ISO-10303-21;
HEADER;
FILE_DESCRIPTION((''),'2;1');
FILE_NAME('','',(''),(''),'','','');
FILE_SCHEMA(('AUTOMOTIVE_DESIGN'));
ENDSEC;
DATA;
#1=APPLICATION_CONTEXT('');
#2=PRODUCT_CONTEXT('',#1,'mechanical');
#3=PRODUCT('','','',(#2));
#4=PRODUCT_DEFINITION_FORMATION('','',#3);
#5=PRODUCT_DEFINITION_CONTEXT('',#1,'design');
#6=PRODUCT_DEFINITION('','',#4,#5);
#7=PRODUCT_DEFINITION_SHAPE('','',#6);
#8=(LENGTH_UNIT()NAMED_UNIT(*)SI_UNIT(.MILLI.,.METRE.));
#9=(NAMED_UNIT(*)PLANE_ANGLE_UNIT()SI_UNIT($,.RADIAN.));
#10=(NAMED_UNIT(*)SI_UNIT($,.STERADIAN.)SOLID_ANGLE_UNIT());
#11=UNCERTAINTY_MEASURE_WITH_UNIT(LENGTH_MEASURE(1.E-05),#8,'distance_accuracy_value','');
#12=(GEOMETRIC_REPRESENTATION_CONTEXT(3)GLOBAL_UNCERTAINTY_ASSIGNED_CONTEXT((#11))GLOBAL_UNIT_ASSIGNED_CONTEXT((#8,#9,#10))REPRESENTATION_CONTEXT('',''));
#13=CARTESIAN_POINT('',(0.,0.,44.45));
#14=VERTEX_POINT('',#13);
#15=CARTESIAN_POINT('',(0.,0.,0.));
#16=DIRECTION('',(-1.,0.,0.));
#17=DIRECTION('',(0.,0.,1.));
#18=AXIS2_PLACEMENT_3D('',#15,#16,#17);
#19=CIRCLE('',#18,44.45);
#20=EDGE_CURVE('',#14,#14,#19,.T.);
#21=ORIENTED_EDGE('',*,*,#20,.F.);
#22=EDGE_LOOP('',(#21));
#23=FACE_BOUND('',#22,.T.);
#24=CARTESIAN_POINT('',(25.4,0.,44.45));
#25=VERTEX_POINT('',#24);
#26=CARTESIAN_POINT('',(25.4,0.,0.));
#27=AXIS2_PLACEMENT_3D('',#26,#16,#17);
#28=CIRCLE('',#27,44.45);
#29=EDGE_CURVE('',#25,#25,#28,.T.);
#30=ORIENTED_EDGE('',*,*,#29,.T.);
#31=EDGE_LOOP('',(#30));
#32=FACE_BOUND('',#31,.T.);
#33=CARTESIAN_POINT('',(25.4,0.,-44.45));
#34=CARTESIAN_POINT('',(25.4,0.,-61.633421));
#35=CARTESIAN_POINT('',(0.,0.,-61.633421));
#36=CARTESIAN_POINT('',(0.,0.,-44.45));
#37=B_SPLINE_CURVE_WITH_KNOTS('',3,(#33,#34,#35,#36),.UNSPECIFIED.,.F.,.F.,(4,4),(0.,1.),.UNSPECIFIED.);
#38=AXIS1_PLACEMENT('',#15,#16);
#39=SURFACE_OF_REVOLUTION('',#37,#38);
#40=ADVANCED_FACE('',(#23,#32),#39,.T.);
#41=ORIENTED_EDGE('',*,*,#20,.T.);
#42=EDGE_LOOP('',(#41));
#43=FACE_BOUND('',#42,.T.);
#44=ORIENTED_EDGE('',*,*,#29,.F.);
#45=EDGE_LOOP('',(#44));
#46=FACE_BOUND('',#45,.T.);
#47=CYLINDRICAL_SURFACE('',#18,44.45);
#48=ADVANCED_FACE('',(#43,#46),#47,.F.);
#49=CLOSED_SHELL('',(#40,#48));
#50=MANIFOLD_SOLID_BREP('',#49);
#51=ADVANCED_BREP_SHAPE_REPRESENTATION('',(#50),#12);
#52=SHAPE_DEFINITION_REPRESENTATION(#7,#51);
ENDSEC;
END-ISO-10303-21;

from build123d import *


with BuildPart() as part:
    # Sketch1 → Revolve1 (revolve)
    with BuildSketch(Plane(origin=(0, 0, 0), x_dir=(1, 0, 0), z_dir=(0, 1, 0)), mode=Mode.PRIVATE) as revolve1_sk:
        with BuildLine():
            Line((0, 44.45), (25.4, 44.45))
            add(Edge.make_bspline(
                [(0, 44.45), (0, 61.633421308), (25.4, 61.633421308), (25.4, 44.45)],
                knots=[0, 0, 0, 0, 1, 1, 1, 1], degree=3))
        make_face()
    revolve(revolve1_sk.sketch.rotate(Axis((0, 0, 0), (1, 0, 0)), 180), axis=Axis((0, 0, 0), (1, 0, 0)))


solid = part.part
